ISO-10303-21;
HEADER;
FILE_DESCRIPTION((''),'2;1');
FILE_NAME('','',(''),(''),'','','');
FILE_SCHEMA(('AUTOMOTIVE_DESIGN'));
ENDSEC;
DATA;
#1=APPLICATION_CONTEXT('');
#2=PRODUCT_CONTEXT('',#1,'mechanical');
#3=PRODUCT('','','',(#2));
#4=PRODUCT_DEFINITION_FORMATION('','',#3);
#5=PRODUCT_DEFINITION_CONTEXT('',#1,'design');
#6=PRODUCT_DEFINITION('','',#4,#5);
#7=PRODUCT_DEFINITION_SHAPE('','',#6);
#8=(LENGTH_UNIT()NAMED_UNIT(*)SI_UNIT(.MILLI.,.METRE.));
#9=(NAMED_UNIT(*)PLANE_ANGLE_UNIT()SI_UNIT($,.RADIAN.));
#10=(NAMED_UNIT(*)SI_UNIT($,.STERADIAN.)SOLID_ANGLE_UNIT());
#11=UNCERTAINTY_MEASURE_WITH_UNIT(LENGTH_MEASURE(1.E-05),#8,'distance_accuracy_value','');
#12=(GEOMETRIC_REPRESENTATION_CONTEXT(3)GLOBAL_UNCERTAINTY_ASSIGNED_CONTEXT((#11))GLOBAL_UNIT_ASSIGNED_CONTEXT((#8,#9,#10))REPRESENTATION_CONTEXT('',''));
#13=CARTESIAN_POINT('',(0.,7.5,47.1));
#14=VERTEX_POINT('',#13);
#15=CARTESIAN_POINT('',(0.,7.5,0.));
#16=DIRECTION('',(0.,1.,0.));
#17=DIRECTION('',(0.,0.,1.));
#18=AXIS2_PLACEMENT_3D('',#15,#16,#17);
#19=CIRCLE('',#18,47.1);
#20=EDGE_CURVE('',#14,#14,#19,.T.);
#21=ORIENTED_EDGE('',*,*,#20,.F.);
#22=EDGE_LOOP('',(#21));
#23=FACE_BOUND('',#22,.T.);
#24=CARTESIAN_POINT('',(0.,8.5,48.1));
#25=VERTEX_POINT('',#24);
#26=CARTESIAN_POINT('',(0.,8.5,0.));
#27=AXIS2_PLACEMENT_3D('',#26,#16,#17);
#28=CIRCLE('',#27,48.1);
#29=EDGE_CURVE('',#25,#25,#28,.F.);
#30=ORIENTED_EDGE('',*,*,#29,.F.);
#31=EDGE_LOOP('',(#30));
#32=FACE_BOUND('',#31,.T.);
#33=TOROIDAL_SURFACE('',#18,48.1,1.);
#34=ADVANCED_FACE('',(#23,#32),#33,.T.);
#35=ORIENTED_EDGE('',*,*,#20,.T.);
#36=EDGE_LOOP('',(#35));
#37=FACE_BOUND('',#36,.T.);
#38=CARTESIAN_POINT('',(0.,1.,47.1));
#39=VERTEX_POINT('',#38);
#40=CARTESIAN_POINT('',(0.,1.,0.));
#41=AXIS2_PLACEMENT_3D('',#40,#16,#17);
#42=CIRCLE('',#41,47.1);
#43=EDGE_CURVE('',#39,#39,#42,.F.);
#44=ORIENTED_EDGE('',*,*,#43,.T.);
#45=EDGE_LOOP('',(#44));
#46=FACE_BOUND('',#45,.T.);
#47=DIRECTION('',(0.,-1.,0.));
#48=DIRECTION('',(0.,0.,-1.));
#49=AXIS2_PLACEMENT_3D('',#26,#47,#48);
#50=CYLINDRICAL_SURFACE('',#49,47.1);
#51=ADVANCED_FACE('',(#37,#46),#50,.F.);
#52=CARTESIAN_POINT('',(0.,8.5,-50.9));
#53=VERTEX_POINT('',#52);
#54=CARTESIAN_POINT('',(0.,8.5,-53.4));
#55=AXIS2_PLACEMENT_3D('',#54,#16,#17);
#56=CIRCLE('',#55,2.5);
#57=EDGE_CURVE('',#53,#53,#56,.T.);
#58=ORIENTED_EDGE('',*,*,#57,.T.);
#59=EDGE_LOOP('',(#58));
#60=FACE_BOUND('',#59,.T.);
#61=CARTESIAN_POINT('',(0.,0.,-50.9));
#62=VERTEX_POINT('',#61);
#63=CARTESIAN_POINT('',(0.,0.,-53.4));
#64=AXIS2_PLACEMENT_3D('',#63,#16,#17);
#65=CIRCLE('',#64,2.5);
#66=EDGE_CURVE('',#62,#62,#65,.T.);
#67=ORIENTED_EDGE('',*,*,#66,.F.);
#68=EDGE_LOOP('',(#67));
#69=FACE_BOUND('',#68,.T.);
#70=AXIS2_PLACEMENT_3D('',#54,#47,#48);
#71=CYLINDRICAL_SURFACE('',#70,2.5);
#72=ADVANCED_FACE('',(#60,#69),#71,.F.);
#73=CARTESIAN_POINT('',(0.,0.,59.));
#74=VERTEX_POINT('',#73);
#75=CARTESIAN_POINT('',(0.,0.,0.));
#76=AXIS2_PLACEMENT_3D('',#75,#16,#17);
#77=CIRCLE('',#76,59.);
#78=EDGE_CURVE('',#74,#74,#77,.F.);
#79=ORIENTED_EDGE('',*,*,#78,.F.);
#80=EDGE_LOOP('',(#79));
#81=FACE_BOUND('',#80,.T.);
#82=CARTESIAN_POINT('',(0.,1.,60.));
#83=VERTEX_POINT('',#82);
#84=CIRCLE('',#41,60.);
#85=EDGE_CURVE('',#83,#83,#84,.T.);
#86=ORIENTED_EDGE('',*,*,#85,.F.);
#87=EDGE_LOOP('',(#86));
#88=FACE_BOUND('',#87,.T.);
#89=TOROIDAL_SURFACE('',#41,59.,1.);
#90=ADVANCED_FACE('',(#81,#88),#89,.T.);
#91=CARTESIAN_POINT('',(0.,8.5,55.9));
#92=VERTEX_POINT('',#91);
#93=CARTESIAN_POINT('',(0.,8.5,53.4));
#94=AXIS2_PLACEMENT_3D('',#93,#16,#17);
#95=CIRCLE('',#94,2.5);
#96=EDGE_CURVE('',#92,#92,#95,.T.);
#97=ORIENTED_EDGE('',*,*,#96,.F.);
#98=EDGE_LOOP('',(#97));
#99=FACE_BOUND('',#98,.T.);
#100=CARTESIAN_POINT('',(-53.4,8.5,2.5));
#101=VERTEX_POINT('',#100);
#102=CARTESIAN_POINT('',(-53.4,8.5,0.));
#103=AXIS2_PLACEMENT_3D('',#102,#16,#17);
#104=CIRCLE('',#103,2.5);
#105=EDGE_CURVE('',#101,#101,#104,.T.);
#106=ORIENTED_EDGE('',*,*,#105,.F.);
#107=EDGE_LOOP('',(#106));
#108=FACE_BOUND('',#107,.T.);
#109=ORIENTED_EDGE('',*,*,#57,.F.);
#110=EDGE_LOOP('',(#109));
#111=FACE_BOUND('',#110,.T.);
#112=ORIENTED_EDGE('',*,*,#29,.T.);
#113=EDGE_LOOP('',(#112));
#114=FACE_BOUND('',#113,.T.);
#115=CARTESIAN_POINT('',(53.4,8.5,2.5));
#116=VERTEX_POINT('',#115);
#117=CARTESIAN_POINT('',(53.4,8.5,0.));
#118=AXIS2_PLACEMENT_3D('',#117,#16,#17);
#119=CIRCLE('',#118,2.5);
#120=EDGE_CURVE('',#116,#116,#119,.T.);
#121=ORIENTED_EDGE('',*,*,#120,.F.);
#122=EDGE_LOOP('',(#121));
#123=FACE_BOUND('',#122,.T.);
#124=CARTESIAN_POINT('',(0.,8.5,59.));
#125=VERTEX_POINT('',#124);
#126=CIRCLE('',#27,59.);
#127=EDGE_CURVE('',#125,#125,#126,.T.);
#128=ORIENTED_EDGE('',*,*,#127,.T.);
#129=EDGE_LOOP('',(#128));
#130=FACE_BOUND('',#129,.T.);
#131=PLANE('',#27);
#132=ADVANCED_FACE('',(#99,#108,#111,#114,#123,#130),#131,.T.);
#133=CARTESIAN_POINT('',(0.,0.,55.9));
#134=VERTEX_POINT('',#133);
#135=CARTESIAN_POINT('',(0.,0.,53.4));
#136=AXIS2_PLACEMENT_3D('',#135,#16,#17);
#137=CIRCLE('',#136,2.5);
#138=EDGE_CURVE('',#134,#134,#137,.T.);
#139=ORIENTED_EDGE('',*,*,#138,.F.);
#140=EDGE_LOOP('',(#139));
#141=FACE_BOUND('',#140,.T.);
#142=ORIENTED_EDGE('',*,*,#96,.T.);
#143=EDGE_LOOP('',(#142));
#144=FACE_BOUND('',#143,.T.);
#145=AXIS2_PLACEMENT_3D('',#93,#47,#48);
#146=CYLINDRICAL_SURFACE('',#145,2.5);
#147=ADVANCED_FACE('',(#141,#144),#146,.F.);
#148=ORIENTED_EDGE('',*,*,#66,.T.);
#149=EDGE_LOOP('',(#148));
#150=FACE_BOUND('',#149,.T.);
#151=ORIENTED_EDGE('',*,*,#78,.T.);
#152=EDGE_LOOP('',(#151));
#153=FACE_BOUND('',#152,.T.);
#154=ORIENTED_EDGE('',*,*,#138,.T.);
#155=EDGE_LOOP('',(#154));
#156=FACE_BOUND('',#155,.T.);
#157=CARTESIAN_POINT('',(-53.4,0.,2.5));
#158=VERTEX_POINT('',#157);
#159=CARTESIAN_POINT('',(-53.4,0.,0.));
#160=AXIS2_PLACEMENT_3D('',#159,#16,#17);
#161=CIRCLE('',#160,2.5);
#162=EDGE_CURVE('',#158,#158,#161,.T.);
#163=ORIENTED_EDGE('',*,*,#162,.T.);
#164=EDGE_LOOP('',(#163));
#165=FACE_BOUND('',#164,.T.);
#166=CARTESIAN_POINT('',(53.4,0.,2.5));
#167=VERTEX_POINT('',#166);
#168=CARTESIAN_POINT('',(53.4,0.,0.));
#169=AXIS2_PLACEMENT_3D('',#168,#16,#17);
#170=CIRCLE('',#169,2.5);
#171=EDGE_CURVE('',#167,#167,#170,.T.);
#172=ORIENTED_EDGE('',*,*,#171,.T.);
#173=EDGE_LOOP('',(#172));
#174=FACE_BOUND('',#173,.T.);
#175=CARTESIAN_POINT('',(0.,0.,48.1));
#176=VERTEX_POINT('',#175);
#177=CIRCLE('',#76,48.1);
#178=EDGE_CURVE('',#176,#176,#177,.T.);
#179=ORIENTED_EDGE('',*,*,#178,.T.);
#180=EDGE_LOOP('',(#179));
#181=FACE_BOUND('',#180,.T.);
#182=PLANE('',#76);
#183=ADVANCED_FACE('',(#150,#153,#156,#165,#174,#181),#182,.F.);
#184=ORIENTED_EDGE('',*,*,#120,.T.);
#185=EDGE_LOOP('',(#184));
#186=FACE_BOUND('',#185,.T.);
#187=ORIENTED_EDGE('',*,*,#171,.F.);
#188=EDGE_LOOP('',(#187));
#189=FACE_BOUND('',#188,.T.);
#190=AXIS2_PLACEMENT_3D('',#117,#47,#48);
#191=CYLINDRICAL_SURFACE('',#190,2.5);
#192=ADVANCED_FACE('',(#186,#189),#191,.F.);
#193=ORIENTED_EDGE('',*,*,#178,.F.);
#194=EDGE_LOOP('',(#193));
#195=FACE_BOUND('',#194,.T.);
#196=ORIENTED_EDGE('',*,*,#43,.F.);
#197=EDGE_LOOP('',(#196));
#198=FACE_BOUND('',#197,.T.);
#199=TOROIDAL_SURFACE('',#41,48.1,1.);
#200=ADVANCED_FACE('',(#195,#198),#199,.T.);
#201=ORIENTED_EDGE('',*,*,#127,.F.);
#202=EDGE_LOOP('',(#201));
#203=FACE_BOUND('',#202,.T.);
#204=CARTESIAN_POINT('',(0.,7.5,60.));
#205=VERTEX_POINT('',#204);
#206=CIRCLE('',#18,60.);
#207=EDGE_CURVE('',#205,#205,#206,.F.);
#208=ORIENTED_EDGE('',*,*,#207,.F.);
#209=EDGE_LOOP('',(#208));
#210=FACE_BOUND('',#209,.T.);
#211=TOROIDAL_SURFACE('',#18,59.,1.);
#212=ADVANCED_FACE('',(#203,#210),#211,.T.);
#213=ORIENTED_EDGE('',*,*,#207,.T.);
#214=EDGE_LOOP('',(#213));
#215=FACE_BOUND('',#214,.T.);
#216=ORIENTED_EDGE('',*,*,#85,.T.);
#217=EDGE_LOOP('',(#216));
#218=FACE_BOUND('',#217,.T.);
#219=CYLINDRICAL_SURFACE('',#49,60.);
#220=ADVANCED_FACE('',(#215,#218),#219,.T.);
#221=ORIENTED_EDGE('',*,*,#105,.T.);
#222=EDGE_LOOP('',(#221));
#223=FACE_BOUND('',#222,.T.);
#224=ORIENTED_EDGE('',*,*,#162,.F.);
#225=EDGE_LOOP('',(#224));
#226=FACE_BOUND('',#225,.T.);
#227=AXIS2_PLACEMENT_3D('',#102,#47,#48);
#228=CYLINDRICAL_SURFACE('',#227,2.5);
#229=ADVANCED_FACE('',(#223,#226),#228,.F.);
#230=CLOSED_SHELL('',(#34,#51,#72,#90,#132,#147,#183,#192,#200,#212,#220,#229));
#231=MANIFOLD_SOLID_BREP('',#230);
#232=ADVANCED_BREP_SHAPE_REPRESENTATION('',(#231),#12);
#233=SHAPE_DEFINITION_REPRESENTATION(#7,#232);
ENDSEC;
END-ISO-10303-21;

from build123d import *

# Parameters (mm, degrees)
SKETCH1_R           = 60
SKETCH1_R_2         = 47.1
SKETCH1_R_3         = 2.5
BOSS_EXTRUDE1_DEPTH = 8.5
FILLET1_R           = 1


with BuildPart() as part:
    # Sketch1 → Boss-Extrude1 (new body)
    with BuildSketch(Plane(origin=(0, 0, 0), x_dir=(1, 0, 0), z_dir=(0, 1, 0))):
        with Locations(Location((0, 0, 0), (0, 0, 270))):
            Circle(SKETCH1_R)
        with Locations(Location((0, 0, 0), (0, 0, 270))):
            Circle(SKETCH1_R_2, mode=Mode.SUBTRACT)
        with Locations(Location((0, 53.4, 0), (0, 0, 270))):
            Circle(SKETCH1_R_3, mode=Mode.SUBTRACT)
        with Locations(Location((53.4, 0, 0), (0, 0, 270))):
            Circle(SKETCH1_R_3, mode=Mode.SUBTRACT)
        with Locations(Location((0, -53.4, 0), (0, 0, 270))):
            Circle(SKETCH1_R_3, mode=Mode.SUBTRACT)
        with Locations(Location((-53.4, 0, 0), (0, 0, 270))):
            Circle(SKETCH1_R_3, mode=Mode.SUBTRACT)
    extrude(amount=BOSS_EXTRUDE1_DEPTH)

    # Fillet1
    fillet1_edges = [part.edges().sort_by_distance(p)[0] for p in [
        (0, 0, -60),
        (0, 8.5, -60),
        (0, 0, -47.1),
        (0, 8.5, -47.1),
    ]]
    fillet(fillet1_edges, radius=FILLET1_R)


solid = part.part
